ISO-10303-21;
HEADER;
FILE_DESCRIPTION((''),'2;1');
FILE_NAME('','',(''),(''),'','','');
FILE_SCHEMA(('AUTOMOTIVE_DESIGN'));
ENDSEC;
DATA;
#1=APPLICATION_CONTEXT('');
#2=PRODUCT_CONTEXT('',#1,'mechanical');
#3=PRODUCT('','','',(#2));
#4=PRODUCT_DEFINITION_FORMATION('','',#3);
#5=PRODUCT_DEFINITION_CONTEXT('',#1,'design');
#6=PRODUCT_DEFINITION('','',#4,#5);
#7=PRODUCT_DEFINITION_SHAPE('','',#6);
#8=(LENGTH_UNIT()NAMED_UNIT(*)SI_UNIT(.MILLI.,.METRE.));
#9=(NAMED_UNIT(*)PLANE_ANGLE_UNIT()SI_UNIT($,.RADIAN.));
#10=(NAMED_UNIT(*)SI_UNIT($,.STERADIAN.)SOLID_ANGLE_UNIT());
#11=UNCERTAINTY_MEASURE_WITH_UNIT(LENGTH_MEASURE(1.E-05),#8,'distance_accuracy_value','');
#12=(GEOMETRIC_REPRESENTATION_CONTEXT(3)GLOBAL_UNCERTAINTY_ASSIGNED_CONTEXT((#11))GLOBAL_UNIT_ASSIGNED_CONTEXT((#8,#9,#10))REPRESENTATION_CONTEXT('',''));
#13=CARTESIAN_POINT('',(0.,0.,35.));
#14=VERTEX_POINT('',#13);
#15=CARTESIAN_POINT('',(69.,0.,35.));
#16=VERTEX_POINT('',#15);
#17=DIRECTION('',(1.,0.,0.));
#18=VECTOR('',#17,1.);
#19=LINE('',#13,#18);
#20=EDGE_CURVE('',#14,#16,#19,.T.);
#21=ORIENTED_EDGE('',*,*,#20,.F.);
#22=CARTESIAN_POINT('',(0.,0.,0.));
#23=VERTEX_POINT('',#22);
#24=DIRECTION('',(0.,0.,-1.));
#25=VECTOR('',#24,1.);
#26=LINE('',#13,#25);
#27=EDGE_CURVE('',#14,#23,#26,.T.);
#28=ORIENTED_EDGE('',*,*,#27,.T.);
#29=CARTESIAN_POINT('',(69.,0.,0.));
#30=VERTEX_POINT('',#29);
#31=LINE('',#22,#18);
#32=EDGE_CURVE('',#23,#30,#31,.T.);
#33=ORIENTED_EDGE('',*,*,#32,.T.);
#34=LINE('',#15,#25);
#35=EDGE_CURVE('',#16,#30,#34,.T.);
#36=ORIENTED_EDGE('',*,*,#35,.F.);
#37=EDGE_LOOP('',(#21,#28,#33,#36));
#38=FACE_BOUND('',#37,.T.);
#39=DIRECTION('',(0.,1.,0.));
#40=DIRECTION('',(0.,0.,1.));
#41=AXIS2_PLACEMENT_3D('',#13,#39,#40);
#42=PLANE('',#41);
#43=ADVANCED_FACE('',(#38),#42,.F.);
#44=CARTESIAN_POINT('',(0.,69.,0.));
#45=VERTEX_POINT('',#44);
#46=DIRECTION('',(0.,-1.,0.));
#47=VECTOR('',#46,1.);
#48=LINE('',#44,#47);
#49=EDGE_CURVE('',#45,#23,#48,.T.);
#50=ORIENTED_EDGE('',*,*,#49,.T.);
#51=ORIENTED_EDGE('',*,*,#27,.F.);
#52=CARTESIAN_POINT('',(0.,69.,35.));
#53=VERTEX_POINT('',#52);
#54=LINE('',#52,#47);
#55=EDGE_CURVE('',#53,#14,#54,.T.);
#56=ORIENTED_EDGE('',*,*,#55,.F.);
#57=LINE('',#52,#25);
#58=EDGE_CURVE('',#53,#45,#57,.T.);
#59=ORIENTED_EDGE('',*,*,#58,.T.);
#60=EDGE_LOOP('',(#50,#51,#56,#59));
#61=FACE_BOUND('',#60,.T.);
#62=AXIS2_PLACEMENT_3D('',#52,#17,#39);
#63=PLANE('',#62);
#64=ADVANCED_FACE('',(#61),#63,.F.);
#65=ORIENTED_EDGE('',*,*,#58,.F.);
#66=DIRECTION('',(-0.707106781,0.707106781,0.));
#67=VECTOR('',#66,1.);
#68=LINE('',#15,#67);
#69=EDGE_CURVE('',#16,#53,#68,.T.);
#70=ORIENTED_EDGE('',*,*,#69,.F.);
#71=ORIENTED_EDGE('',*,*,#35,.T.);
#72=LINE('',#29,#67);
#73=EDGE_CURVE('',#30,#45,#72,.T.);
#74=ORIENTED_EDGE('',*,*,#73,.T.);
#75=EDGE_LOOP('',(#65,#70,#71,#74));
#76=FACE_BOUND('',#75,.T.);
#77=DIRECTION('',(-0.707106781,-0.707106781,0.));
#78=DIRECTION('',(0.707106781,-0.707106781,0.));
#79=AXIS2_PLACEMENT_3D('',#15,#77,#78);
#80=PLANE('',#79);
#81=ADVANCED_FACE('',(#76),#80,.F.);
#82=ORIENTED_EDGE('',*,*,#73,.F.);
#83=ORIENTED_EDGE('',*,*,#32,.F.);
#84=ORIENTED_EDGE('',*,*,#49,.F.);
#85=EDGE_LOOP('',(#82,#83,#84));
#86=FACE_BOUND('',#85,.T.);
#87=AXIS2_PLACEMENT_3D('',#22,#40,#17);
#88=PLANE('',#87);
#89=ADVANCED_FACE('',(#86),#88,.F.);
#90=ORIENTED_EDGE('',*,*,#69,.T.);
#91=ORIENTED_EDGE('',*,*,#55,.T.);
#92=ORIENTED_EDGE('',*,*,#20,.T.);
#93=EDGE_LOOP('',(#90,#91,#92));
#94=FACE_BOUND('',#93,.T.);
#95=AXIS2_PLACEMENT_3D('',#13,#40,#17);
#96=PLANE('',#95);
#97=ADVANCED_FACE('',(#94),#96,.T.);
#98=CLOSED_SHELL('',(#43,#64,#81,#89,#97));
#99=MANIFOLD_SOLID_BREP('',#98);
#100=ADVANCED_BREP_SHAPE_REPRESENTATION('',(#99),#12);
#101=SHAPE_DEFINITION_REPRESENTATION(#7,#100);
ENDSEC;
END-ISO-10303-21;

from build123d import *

# Parameters (mm, degrees)
BOSS_EXTRUDE1_DEPTH = 35


with BuildPart() as part:
    # Sketch1 → Boss-Extrude1 (new body)
    with BuildSketch(Plane.XY):
        Polygon((0, 0), (69, 0), (0, 69), align=None)
    extrude(amount=BOSS_EXTRUDE1_DEPTH)


solid = part.part
